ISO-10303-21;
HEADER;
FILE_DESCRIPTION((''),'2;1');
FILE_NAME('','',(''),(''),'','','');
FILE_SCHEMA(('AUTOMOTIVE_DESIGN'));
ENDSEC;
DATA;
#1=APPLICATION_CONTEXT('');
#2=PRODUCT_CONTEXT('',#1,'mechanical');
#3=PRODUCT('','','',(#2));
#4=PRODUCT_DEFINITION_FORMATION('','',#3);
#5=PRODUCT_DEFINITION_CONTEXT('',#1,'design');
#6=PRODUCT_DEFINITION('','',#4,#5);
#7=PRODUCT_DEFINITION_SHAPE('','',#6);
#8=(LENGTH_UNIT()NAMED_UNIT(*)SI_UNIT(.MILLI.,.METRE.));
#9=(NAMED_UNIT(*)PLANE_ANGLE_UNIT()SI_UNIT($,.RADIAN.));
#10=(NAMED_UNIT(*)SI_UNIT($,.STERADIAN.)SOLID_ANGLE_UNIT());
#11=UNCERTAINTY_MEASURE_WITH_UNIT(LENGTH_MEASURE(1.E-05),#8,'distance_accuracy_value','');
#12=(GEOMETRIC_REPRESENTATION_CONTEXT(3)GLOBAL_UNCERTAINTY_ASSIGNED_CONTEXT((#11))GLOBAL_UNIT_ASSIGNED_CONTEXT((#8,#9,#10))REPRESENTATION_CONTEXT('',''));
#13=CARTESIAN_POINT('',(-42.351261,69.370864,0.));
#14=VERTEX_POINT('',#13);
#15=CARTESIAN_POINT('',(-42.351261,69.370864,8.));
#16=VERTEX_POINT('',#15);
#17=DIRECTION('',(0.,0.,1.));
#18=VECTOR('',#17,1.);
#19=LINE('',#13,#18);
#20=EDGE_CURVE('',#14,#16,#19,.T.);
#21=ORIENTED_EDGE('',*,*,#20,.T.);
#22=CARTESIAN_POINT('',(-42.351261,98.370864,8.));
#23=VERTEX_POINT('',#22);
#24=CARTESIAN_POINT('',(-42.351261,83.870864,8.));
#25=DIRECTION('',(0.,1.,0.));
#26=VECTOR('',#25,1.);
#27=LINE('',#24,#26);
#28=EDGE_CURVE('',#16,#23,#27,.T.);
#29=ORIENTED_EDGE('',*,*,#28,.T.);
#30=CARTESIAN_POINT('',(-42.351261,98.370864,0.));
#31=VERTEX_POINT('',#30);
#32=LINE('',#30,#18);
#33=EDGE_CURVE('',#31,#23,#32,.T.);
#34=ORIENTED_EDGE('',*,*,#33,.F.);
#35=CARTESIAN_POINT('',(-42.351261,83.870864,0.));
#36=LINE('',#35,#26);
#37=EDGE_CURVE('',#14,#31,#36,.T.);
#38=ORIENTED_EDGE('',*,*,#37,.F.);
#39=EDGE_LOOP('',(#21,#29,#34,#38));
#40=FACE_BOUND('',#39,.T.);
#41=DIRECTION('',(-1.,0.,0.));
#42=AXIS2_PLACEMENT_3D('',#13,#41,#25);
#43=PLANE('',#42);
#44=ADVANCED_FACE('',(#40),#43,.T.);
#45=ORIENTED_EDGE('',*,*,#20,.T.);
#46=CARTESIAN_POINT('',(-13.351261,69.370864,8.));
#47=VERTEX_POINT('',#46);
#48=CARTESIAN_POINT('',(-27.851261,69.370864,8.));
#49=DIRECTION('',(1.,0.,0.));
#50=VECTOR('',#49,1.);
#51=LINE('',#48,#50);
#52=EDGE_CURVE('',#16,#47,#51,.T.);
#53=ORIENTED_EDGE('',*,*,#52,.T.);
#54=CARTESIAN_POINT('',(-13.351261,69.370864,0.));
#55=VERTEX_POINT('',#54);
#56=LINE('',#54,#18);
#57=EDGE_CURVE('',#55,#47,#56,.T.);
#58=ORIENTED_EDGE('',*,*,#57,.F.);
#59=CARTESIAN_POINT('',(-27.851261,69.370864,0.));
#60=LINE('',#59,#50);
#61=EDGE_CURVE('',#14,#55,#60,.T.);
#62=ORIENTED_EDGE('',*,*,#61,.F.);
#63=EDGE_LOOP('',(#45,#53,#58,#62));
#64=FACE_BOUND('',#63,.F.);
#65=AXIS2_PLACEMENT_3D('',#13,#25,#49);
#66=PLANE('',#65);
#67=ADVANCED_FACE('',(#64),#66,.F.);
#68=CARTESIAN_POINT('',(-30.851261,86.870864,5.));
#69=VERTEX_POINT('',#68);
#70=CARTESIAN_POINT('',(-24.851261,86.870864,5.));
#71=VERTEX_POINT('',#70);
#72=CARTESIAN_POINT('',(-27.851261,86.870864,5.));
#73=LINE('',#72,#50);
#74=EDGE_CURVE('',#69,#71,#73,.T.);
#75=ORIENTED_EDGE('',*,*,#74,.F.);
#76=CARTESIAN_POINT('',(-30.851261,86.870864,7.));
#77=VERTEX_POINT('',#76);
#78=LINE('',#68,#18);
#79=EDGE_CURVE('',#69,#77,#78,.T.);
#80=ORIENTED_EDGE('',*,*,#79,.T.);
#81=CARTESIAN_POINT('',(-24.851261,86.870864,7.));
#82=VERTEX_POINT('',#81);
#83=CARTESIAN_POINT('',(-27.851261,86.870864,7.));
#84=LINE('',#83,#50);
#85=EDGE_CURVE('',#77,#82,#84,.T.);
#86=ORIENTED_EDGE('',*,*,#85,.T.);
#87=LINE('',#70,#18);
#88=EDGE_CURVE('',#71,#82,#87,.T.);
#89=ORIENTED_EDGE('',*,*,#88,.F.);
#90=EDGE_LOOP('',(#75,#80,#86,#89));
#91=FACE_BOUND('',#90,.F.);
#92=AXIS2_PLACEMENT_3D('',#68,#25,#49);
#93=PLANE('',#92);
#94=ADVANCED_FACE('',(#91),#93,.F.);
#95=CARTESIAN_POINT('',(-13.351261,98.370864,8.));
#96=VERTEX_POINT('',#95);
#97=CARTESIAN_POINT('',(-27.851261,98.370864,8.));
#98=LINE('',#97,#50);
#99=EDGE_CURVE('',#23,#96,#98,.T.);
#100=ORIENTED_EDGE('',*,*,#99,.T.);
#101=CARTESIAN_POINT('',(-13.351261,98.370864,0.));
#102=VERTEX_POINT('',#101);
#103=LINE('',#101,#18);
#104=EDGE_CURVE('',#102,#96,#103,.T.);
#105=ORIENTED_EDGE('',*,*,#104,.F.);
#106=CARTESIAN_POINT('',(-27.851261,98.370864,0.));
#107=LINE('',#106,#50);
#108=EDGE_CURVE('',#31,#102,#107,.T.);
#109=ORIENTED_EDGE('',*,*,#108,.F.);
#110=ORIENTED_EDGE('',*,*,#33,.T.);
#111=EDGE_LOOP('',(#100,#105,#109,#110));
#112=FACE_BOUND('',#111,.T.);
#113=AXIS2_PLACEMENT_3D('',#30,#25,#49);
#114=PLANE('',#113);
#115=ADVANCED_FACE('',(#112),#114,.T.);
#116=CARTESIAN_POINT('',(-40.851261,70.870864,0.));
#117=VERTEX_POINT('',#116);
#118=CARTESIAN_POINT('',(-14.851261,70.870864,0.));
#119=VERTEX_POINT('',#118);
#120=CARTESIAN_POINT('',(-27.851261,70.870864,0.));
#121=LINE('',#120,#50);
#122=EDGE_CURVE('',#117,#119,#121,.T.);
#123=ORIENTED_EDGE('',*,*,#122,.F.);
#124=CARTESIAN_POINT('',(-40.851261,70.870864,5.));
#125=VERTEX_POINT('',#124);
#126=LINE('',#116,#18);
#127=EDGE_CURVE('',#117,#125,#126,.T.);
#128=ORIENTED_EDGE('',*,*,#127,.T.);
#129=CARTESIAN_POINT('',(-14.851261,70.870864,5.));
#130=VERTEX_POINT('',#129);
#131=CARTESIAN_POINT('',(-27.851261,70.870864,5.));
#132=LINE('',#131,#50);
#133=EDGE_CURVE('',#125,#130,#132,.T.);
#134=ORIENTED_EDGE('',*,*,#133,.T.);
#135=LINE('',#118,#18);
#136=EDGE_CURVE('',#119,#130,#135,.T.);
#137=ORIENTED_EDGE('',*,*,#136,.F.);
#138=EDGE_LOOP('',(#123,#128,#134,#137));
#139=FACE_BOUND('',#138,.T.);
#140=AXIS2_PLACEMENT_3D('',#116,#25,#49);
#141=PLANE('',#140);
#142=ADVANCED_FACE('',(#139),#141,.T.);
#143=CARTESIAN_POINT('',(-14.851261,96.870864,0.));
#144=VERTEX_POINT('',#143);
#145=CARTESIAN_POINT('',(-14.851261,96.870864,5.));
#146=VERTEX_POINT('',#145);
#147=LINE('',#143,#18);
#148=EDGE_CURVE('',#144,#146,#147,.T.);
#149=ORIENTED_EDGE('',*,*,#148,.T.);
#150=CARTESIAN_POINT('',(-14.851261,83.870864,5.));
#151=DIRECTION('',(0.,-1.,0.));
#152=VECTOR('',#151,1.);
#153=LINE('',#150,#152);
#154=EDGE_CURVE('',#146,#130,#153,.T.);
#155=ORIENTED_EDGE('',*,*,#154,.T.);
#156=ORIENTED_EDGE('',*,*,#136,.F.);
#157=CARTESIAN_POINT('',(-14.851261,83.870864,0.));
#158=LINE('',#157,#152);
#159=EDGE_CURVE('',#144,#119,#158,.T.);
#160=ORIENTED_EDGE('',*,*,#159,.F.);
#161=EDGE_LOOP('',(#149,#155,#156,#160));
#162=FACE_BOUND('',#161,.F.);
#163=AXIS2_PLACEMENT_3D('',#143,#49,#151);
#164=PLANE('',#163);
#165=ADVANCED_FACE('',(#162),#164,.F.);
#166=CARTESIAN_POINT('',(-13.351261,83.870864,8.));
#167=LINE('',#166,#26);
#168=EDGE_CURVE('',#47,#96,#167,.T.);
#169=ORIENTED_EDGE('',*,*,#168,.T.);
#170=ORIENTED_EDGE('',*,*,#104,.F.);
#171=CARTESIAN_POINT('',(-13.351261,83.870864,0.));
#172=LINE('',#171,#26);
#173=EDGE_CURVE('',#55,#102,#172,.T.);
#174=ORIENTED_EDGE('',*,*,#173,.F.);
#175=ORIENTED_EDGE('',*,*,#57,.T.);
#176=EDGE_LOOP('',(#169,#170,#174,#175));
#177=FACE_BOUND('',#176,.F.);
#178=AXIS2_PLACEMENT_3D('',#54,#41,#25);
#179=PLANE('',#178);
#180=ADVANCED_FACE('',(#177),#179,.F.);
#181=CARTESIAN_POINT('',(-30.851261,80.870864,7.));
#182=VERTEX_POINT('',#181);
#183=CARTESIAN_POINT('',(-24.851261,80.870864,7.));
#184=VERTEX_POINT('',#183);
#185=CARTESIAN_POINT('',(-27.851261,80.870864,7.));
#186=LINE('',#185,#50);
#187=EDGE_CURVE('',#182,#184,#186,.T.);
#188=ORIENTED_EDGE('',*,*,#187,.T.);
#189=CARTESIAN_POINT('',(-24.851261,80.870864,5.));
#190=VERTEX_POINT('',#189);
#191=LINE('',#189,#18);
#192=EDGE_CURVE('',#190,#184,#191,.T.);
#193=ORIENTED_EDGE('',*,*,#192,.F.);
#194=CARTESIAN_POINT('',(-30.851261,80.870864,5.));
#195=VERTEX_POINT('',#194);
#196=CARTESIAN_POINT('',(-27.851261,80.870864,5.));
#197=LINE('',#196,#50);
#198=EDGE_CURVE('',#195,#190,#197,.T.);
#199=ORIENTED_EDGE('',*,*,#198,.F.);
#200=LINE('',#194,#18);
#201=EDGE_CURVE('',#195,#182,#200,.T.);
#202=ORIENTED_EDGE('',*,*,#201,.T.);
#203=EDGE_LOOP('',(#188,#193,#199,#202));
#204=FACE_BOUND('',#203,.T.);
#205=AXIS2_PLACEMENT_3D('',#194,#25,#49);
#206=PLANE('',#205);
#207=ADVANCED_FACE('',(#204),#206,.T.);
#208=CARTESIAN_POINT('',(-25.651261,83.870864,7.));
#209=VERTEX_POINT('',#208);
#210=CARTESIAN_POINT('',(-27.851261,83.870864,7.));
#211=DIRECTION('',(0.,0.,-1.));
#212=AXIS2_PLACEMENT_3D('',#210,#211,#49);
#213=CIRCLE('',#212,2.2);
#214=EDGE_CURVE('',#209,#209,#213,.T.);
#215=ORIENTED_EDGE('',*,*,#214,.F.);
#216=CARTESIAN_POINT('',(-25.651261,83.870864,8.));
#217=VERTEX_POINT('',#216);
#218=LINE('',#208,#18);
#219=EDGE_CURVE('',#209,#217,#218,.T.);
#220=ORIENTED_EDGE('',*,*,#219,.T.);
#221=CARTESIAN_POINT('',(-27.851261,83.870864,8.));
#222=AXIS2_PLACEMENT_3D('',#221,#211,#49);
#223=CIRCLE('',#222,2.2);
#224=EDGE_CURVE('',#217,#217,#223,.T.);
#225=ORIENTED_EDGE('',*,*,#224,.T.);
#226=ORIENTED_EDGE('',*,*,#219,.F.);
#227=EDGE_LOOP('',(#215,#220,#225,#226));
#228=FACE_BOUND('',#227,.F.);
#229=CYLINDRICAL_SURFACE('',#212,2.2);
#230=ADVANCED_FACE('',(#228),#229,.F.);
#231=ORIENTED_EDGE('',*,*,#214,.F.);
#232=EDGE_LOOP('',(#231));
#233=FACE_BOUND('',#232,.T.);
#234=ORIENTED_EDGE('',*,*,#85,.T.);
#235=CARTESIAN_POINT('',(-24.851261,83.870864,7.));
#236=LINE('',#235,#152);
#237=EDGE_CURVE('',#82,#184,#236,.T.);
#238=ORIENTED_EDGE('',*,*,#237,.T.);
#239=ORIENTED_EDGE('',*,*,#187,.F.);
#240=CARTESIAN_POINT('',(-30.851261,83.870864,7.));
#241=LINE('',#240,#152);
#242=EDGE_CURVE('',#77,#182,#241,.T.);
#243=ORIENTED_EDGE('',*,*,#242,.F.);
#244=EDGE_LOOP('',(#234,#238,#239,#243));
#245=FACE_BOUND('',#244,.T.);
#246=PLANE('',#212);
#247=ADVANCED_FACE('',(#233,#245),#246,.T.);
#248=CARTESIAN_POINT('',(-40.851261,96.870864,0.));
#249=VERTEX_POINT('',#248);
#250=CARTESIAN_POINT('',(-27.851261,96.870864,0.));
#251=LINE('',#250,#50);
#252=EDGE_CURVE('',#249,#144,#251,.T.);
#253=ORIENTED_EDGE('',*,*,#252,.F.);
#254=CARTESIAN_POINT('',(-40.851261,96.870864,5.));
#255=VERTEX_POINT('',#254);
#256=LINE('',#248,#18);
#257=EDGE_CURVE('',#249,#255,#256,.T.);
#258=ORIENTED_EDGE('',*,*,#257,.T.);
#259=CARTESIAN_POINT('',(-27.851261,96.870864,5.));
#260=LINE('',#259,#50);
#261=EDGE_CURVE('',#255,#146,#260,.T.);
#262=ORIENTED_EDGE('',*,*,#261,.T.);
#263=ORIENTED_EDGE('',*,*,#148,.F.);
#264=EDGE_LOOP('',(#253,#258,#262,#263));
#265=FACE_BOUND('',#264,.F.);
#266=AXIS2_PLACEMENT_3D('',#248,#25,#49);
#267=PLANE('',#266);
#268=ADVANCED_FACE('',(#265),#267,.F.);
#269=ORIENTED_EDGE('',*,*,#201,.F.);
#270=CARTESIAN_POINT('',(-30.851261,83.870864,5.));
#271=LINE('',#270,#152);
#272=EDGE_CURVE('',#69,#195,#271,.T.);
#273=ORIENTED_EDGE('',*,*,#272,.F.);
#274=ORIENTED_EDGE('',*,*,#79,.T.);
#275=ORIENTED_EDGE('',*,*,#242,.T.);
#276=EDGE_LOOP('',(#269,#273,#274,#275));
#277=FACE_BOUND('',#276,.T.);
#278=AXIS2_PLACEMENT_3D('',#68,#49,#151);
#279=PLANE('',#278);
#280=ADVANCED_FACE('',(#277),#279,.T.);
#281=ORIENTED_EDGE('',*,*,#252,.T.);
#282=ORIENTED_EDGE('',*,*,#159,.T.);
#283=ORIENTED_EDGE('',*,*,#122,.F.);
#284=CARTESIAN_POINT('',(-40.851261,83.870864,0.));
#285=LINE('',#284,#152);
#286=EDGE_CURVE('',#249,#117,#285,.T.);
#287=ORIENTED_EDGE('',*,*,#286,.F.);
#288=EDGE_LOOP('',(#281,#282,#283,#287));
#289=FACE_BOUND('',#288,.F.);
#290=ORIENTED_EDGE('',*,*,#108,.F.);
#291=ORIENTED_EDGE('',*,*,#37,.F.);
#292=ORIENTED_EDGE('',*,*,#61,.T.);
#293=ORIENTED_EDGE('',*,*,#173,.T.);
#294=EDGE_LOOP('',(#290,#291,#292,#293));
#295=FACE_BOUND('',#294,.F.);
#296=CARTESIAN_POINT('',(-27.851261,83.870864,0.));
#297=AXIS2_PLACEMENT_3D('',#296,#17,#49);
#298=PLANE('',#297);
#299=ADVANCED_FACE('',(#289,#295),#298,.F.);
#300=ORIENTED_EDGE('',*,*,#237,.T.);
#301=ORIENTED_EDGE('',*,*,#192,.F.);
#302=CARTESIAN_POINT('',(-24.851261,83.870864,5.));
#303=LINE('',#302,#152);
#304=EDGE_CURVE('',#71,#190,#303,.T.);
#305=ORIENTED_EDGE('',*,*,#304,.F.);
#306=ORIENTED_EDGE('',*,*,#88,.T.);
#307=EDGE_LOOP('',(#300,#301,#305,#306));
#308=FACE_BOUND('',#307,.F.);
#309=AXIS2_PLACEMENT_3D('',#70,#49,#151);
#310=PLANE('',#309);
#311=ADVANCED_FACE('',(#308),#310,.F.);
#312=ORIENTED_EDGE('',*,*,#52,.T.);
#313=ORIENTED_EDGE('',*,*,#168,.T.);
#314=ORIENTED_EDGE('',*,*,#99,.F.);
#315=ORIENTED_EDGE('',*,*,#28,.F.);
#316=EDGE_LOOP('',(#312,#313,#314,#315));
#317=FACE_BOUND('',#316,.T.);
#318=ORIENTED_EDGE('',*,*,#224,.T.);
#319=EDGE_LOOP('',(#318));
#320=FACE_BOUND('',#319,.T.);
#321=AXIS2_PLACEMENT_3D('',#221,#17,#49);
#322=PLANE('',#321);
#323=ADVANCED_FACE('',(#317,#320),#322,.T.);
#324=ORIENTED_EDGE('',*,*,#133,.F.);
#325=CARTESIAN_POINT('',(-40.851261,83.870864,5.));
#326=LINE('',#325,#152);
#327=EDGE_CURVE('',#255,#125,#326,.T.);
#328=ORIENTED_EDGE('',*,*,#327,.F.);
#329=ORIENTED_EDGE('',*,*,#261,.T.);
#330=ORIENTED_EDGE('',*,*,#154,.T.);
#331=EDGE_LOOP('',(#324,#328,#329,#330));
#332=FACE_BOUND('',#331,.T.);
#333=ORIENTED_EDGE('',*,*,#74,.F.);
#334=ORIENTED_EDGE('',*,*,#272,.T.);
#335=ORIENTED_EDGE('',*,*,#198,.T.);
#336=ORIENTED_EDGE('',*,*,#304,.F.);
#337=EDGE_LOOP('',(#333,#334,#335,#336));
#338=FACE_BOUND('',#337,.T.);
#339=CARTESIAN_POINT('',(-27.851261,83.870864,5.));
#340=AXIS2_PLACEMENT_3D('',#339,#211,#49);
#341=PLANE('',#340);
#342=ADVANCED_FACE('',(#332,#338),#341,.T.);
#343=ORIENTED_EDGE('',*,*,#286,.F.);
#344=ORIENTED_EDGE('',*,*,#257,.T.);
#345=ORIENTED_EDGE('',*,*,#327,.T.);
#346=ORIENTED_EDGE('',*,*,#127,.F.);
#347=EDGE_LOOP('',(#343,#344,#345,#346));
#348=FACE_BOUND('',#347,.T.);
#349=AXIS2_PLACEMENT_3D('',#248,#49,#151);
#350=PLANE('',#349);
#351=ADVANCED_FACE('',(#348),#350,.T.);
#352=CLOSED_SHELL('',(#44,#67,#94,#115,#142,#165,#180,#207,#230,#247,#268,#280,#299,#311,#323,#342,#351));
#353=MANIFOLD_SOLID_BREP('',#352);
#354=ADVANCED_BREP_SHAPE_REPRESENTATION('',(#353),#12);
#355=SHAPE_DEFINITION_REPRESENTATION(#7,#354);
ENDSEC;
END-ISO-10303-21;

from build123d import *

# Parameters (mm, degrees)
SKETCH002_W     = 29
SKETCH002_H     = 29
PAD001_DEPTH    = 8
SKETCH003_W     = 26
SKETCH003_H     = 26
POCKET001_DEPTH = 5
SKETCH004_W     = 6
SKETCH004_H     = 6
POCKET002_DEPTH = 2
SKETCH005_R     = 2.2
POCKET003_DEPTH = 5


with BuildPart() as part:
    # Sketch002 → Pad001 (new body)
    with BuildSketch(Plane.XY):
        with Locations((-27.851261, 83.870864)):
            Rectangle(SKETCH002_W, SKETCH002_H)
    extrude(amount=PAD001_DEPTH)

    # Sketch003 (on Face5 of Pad001) → Pocket001 (cut)
    with BuildSketch(Plane(origin=(0, 0, 0), x_dir=(1, 0, 0), z_dir=(0, 0, -1))):
        with Locations((-27.851261, -83.870864)):
            Rectangle(SKETCH003_W, SKETCH003_H)
    extrude(amount=-POCKET001_DEPTH, mode=Mode.SUBTRACT)

    # Sketch004 (on Face11 of Pocket001) → Pocket002 (cut)
    with BuildSketch(Plane(origin=(0, 0, 5), x_dir=(1, 0, 0), z_dir=(0, 0, -1))):
        with Locations((-27.851261, -83.870864)):
            Rectangle(SKETCH004_W, SKETCH004_H)
    extrude(amount=-POCKET002_DEPTH, mode=Mode.SUBTRACT)

    # Sketch005 (on Face16 of Pocket002) → Pocket003 (cut)
    with BuildSketch(Plane(origin=(0, 0, 7), x_dir=(1, 0, 0), z_dir=(0, 0, -1))):
        with Locations((-27.851261, -83.870864)):
            Circle(SKETCH005_R)
    extrude(amount=-POCKET003_DEPTH, mode=Mode.SUBTRACT)


solid = part.part
